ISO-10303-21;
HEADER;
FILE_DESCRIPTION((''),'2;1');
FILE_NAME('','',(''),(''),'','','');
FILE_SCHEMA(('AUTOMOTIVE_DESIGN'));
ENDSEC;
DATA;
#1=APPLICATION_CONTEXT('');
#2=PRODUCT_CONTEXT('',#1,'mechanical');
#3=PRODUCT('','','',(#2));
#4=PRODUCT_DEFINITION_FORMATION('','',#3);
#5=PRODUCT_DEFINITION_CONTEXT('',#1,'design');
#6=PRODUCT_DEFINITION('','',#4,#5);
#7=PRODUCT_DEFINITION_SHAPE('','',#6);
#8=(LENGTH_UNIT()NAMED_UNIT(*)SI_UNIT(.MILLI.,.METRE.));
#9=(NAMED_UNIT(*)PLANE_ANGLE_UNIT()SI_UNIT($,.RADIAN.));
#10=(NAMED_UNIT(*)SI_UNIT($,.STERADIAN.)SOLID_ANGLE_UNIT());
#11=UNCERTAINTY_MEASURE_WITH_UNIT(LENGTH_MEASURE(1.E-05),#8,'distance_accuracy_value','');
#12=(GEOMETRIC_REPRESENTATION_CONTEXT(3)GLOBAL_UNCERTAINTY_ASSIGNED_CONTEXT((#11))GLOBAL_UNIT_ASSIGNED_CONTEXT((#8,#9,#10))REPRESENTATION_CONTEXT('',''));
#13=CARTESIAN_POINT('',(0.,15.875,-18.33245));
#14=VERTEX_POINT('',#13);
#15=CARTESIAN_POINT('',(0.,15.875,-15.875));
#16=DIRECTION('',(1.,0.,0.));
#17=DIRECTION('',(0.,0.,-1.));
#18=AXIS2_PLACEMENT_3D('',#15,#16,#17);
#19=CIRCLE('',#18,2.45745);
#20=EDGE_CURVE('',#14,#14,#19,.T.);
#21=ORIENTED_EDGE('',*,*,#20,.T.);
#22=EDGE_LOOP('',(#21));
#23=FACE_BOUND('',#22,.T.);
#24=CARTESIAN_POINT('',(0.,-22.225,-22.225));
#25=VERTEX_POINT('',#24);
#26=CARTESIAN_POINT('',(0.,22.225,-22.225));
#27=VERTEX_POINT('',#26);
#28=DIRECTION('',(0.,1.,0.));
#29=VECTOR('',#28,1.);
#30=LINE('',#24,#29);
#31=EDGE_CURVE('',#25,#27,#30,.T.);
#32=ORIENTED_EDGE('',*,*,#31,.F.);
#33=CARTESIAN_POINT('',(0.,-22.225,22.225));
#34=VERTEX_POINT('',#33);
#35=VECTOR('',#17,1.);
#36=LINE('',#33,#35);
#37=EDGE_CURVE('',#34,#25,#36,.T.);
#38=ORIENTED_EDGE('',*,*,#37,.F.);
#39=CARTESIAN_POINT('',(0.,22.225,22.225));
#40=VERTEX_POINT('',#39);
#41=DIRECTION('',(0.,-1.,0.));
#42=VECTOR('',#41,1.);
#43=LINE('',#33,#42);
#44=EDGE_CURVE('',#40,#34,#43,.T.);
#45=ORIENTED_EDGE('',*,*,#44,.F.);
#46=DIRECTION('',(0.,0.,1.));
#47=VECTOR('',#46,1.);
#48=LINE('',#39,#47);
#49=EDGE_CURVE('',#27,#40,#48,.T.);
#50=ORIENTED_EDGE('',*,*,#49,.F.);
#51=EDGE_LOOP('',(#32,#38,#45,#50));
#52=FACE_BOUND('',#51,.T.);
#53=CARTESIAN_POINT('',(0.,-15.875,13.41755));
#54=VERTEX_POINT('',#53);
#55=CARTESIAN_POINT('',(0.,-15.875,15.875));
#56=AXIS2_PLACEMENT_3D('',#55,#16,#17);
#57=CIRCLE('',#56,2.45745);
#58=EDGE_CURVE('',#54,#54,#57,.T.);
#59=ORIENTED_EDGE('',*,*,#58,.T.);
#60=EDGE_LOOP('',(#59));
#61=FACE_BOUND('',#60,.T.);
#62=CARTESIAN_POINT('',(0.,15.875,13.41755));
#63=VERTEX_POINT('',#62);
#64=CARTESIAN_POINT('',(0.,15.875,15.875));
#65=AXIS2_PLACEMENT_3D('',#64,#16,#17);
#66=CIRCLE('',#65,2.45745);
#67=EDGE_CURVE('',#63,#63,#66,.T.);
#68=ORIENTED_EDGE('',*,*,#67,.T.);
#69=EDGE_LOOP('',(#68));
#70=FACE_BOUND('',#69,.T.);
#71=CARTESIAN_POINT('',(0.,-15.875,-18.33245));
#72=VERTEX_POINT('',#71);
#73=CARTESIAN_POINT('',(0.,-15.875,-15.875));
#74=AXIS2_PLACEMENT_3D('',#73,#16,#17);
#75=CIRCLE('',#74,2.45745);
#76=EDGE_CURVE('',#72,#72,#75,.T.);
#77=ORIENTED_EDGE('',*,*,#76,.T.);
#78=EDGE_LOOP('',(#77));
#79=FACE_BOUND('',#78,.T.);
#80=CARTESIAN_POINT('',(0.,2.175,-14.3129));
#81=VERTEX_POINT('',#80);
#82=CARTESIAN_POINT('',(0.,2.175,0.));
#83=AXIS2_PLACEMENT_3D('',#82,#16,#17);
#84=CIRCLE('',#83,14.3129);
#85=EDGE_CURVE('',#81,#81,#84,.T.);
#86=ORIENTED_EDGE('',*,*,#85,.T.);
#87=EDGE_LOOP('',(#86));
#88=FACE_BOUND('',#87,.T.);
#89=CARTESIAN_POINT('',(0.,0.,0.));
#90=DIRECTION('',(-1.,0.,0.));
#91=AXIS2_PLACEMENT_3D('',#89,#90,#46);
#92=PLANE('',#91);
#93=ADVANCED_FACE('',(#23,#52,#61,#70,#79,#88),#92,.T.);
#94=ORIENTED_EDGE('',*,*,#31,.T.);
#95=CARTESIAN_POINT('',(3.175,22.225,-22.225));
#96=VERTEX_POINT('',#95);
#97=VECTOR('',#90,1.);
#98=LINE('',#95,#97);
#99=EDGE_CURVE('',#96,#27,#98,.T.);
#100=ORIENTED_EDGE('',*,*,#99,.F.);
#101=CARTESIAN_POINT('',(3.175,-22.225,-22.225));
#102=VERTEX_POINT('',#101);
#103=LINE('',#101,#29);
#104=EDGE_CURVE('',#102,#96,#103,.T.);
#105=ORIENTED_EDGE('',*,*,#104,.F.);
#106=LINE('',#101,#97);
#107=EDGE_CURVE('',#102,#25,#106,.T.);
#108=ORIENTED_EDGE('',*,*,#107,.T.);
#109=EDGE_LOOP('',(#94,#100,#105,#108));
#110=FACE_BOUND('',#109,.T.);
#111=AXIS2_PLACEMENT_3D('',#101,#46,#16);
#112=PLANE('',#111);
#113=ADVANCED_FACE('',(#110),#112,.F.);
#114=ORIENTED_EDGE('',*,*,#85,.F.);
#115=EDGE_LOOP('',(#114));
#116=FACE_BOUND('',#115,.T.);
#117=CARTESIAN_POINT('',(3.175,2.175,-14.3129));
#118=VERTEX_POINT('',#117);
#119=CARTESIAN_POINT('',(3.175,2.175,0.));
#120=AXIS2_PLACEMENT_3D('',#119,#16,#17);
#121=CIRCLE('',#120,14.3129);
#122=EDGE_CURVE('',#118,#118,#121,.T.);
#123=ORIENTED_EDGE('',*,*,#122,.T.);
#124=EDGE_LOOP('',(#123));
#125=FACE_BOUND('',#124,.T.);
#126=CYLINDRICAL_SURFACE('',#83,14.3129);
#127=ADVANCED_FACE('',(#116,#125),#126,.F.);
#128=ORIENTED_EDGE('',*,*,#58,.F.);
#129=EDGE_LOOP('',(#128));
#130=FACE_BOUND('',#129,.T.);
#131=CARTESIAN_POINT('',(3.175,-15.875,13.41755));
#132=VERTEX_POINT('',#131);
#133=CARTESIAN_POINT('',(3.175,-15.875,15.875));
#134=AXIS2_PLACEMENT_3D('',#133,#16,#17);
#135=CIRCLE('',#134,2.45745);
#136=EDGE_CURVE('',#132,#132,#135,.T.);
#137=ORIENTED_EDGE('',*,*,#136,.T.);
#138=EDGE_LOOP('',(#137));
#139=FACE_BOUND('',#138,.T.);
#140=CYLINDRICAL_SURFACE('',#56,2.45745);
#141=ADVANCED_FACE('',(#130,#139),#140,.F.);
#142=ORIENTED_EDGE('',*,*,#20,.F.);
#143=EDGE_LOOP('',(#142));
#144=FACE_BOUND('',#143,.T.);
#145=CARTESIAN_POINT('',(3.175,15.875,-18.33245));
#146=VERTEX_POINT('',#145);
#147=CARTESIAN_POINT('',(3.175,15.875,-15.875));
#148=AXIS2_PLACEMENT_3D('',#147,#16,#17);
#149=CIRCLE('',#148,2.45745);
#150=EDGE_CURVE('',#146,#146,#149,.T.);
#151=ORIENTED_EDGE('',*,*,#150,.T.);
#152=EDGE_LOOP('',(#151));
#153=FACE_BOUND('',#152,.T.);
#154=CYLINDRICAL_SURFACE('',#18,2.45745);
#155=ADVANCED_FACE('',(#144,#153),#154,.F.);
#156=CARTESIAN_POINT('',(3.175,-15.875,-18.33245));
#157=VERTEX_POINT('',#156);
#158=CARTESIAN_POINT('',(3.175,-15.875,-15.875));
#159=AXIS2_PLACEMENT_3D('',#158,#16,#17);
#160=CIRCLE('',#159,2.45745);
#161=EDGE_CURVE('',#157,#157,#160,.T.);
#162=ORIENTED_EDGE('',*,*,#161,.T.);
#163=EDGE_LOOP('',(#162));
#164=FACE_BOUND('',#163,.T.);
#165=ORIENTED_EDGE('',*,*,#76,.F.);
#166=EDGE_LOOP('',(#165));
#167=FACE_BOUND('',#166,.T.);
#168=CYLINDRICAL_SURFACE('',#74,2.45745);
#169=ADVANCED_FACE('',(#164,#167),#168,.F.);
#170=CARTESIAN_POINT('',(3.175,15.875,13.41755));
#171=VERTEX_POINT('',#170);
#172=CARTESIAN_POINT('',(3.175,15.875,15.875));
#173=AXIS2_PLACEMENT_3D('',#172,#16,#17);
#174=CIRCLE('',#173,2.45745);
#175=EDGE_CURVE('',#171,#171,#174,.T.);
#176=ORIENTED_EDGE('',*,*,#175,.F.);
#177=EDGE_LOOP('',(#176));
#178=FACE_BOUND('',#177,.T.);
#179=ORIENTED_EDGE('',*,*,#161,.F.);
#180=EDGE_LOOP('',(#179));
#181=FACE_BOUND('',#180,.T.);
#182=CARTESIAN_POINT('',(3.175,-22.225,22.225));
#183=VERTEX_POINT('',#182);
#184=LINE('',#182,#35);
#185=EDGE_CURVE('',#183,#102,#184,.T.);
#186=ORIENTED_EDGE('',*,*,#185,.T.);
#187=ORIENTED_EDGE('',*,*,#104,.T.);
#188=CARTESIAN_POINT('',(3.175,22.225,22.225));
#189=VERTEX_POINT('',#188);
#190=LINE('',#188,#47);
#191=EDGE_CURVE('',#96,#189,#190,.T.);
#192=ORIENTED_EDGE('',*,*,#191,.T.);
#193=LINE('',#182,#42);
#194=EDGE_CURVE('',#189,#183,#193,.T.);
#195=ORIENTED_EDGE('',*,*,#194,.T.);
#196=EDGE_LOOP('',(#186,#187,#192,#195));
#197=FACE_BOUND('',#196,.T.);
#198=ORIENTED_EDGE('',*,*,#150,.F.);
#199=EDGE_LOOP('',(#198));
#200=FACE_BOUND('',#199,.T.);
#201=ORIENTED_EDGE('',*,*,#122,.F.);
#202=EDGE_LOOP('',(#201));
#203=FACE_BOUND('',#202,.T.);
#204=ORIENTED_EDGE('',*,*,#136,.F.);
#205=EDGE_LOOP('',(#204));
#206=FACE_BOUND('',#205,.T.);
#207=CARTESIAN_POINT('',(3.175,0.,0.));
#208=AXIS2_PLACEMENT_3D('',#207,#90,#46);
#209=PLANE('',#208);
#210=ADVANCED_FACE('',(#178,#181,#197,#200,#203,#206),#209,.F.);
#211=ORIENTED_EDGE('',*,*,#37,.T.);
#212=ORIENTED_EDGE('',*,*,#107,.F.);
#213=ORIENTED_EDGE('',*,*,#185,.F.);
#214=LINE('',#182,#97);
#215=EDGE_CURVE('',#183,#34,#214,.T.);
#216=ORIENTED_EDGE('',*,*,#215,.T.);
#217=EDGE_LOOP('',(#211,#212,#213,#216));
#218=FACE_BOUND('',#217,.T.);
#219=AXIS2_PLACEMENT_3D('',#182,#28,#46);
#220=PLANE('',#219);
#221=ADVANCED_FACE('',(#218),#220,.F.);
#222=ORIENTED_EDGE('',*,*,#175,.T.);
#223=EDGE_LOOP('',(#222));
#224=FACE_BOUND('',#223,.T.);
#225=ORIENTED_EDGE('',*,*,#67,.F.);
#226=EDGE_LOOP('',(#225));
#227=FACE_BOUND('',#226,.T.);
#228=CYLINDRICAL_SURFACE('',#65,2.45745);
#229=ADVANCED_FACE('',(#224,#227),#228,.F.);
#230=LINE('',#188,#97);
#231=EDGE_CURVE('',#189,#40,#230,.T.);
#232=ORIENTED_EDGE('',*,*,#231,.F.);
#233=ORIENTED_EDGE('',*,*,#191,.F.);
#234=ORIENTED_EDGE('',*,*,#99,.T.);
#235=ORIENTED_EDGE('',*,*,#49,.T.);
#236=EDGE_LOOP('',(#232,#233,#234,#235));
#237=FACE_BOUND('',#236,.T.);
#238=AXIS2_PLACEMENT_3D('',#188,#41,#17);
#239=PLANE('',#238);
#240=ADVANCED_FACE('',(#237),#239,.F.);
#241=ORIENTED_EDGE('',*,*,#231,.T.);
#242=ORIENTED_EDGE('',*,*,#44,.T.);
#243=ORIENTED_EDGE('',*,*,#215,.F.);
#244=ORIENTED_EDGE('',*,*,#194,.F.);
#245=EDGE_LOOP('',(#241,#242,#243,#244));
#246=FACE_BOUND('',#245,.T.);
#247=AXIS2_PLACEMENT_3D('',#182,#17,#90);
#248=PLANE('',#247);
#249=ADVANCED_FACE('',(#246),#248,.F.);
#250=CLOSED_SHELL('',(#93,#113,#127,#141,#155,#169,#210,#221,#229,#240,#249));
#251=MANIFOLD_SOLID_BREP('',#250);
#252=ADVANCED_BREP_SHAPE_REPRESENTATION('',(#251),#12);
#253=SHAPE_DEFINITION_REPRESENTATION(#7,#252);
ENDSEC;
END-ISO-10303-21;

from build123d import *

# Parameters (mm, degrees)
SKETCH1_W           = 44.45
SKETCH1_H           = 44.45
BOSS_EXTRUDE1_DEPTH = 3.175
SKETCH2_R           = 14.3129
SKETCH2_R_2         = 2.45745
CUT_EXTRUDE1_DEPTH  = 4.175


with BuildPart() as part:
    # Sketch1 → Boss-Extrude1 (new body)
    with BuildSketch(Plane(origin=(0, 0, 0), x_dir=(0, 0, -1), z_dir=(1, 0, 0))):
        Rectangle(SKETCH1_W, SKETCH1_H)
    extrude(amount=BOSS_EXTRUDE1_DEPTH)

    # Sketch2 → Cut-Extrude1 (cut, through all)
    with BuildSketch(Plane(origin=(3.175, 0, 0), x_dir=(0, 0, -1), z_dir=(1, 0, 0))):
        with Locations((0, 2.175)):
            Circle(SKETCH2_R)
        with Locations((-15.875, 15.875)):
            Circle(SKETCH2_R_2)
        with Locations((15.875, 15.875)):
            Circle(SKETCH2_R_2)
        with Locations((15.875, -15.875)):
            Circle(SKETCH2_R_2)
        with Locations((-15.875, -15.875)):
            Circle(SKETCH2_R_2)
    extrude(amount=-CUT_EXTRUDE1_DEPTH, mode=Mode.SUBTRACT)


solid = part.part
